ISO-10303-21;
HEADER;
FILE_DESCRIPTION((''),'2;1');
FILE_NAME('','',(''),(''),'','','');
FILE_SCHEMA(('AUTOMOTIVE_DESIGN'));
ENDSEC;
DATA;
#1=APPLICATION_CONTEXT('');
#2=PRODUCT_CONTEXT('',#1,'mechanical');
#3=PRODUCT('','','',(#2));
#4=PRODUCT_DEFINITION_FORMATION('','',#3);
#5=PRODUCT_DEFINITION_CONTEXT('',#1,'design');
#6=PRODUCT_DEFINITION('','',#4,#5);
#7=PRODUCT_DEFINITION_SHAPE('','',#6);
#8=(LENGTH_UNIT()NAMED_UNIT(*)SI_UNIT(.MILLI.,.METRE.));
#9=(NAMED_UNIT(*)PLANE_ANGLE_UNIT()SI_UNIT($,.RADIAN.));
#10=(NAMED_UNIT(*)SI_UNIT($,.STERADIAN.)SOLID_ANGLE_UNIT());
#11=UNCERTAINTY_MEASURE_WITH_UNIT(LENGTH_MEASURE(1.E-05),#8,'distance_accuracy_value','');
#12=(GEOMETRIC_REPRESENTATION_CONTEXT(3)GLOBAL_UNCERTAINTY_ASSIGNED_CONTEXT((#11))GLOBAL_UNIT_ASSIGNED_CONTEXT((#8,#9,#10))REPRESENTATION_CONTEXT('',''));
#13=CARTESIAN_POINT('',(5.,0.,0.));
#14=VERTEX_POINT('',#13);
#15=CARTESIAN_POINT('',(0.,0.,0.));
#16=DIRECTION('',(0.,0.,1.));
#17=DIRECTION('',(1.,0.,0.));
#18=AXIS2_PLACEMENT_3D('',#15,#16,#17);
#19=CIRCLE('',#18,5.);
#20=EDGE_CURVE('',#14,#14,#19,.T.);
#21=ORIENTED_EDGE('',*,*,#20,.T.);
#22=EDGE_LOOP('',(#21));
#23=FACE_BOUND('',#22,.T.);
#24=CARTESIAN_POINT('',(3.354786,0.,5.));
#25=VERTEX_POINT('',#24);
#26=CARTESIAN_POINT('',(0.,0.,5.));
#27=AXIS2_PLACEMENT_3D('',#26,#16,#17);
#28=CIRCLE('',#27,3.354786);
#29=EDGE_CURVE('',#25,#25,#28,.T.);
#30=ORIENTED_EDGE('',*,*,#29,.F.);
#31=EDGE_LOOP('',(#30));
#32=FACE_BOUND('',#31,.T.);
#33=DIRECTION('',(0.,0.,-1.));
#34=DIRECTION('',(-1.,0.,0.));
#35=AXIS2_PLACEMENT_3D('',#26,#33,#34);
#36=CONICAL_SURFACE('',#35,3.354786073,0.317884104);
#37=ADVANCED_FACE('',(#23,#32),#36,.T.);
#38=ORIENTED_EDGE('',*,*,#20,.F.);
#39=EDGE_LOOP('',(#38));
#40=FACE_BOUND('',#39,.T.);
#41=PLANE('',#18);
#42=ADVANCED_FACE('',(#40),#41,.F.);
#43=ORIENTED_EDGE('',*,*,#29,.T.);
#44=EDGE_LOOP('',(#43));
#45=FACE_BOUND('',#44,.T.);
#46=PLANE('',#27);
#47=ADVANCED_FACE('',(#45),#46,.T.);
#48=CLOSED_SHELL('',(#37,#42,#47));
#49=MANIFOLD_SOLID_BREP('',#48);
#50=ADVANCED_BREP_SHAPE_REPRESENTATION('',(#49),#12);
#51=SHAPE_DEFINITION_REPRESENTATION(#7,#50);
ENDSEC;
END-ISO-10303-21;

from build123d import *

# Parameters (mm, degrees)
SKETCH1_R = 5
SKETCH3_R = 3.354786073


with BuildPart() as part:
    # Sketch1 → Loft2 section 0
    with BuildSketch(Plane.XY):
        Circle(SKETCH1_R)
    # Sketch3 → Loft2 section 1
    with BuildSketch(Plane.XY.offset(5)):
        Circle(SKETCH3_R)
    loft()


solid = part.part
